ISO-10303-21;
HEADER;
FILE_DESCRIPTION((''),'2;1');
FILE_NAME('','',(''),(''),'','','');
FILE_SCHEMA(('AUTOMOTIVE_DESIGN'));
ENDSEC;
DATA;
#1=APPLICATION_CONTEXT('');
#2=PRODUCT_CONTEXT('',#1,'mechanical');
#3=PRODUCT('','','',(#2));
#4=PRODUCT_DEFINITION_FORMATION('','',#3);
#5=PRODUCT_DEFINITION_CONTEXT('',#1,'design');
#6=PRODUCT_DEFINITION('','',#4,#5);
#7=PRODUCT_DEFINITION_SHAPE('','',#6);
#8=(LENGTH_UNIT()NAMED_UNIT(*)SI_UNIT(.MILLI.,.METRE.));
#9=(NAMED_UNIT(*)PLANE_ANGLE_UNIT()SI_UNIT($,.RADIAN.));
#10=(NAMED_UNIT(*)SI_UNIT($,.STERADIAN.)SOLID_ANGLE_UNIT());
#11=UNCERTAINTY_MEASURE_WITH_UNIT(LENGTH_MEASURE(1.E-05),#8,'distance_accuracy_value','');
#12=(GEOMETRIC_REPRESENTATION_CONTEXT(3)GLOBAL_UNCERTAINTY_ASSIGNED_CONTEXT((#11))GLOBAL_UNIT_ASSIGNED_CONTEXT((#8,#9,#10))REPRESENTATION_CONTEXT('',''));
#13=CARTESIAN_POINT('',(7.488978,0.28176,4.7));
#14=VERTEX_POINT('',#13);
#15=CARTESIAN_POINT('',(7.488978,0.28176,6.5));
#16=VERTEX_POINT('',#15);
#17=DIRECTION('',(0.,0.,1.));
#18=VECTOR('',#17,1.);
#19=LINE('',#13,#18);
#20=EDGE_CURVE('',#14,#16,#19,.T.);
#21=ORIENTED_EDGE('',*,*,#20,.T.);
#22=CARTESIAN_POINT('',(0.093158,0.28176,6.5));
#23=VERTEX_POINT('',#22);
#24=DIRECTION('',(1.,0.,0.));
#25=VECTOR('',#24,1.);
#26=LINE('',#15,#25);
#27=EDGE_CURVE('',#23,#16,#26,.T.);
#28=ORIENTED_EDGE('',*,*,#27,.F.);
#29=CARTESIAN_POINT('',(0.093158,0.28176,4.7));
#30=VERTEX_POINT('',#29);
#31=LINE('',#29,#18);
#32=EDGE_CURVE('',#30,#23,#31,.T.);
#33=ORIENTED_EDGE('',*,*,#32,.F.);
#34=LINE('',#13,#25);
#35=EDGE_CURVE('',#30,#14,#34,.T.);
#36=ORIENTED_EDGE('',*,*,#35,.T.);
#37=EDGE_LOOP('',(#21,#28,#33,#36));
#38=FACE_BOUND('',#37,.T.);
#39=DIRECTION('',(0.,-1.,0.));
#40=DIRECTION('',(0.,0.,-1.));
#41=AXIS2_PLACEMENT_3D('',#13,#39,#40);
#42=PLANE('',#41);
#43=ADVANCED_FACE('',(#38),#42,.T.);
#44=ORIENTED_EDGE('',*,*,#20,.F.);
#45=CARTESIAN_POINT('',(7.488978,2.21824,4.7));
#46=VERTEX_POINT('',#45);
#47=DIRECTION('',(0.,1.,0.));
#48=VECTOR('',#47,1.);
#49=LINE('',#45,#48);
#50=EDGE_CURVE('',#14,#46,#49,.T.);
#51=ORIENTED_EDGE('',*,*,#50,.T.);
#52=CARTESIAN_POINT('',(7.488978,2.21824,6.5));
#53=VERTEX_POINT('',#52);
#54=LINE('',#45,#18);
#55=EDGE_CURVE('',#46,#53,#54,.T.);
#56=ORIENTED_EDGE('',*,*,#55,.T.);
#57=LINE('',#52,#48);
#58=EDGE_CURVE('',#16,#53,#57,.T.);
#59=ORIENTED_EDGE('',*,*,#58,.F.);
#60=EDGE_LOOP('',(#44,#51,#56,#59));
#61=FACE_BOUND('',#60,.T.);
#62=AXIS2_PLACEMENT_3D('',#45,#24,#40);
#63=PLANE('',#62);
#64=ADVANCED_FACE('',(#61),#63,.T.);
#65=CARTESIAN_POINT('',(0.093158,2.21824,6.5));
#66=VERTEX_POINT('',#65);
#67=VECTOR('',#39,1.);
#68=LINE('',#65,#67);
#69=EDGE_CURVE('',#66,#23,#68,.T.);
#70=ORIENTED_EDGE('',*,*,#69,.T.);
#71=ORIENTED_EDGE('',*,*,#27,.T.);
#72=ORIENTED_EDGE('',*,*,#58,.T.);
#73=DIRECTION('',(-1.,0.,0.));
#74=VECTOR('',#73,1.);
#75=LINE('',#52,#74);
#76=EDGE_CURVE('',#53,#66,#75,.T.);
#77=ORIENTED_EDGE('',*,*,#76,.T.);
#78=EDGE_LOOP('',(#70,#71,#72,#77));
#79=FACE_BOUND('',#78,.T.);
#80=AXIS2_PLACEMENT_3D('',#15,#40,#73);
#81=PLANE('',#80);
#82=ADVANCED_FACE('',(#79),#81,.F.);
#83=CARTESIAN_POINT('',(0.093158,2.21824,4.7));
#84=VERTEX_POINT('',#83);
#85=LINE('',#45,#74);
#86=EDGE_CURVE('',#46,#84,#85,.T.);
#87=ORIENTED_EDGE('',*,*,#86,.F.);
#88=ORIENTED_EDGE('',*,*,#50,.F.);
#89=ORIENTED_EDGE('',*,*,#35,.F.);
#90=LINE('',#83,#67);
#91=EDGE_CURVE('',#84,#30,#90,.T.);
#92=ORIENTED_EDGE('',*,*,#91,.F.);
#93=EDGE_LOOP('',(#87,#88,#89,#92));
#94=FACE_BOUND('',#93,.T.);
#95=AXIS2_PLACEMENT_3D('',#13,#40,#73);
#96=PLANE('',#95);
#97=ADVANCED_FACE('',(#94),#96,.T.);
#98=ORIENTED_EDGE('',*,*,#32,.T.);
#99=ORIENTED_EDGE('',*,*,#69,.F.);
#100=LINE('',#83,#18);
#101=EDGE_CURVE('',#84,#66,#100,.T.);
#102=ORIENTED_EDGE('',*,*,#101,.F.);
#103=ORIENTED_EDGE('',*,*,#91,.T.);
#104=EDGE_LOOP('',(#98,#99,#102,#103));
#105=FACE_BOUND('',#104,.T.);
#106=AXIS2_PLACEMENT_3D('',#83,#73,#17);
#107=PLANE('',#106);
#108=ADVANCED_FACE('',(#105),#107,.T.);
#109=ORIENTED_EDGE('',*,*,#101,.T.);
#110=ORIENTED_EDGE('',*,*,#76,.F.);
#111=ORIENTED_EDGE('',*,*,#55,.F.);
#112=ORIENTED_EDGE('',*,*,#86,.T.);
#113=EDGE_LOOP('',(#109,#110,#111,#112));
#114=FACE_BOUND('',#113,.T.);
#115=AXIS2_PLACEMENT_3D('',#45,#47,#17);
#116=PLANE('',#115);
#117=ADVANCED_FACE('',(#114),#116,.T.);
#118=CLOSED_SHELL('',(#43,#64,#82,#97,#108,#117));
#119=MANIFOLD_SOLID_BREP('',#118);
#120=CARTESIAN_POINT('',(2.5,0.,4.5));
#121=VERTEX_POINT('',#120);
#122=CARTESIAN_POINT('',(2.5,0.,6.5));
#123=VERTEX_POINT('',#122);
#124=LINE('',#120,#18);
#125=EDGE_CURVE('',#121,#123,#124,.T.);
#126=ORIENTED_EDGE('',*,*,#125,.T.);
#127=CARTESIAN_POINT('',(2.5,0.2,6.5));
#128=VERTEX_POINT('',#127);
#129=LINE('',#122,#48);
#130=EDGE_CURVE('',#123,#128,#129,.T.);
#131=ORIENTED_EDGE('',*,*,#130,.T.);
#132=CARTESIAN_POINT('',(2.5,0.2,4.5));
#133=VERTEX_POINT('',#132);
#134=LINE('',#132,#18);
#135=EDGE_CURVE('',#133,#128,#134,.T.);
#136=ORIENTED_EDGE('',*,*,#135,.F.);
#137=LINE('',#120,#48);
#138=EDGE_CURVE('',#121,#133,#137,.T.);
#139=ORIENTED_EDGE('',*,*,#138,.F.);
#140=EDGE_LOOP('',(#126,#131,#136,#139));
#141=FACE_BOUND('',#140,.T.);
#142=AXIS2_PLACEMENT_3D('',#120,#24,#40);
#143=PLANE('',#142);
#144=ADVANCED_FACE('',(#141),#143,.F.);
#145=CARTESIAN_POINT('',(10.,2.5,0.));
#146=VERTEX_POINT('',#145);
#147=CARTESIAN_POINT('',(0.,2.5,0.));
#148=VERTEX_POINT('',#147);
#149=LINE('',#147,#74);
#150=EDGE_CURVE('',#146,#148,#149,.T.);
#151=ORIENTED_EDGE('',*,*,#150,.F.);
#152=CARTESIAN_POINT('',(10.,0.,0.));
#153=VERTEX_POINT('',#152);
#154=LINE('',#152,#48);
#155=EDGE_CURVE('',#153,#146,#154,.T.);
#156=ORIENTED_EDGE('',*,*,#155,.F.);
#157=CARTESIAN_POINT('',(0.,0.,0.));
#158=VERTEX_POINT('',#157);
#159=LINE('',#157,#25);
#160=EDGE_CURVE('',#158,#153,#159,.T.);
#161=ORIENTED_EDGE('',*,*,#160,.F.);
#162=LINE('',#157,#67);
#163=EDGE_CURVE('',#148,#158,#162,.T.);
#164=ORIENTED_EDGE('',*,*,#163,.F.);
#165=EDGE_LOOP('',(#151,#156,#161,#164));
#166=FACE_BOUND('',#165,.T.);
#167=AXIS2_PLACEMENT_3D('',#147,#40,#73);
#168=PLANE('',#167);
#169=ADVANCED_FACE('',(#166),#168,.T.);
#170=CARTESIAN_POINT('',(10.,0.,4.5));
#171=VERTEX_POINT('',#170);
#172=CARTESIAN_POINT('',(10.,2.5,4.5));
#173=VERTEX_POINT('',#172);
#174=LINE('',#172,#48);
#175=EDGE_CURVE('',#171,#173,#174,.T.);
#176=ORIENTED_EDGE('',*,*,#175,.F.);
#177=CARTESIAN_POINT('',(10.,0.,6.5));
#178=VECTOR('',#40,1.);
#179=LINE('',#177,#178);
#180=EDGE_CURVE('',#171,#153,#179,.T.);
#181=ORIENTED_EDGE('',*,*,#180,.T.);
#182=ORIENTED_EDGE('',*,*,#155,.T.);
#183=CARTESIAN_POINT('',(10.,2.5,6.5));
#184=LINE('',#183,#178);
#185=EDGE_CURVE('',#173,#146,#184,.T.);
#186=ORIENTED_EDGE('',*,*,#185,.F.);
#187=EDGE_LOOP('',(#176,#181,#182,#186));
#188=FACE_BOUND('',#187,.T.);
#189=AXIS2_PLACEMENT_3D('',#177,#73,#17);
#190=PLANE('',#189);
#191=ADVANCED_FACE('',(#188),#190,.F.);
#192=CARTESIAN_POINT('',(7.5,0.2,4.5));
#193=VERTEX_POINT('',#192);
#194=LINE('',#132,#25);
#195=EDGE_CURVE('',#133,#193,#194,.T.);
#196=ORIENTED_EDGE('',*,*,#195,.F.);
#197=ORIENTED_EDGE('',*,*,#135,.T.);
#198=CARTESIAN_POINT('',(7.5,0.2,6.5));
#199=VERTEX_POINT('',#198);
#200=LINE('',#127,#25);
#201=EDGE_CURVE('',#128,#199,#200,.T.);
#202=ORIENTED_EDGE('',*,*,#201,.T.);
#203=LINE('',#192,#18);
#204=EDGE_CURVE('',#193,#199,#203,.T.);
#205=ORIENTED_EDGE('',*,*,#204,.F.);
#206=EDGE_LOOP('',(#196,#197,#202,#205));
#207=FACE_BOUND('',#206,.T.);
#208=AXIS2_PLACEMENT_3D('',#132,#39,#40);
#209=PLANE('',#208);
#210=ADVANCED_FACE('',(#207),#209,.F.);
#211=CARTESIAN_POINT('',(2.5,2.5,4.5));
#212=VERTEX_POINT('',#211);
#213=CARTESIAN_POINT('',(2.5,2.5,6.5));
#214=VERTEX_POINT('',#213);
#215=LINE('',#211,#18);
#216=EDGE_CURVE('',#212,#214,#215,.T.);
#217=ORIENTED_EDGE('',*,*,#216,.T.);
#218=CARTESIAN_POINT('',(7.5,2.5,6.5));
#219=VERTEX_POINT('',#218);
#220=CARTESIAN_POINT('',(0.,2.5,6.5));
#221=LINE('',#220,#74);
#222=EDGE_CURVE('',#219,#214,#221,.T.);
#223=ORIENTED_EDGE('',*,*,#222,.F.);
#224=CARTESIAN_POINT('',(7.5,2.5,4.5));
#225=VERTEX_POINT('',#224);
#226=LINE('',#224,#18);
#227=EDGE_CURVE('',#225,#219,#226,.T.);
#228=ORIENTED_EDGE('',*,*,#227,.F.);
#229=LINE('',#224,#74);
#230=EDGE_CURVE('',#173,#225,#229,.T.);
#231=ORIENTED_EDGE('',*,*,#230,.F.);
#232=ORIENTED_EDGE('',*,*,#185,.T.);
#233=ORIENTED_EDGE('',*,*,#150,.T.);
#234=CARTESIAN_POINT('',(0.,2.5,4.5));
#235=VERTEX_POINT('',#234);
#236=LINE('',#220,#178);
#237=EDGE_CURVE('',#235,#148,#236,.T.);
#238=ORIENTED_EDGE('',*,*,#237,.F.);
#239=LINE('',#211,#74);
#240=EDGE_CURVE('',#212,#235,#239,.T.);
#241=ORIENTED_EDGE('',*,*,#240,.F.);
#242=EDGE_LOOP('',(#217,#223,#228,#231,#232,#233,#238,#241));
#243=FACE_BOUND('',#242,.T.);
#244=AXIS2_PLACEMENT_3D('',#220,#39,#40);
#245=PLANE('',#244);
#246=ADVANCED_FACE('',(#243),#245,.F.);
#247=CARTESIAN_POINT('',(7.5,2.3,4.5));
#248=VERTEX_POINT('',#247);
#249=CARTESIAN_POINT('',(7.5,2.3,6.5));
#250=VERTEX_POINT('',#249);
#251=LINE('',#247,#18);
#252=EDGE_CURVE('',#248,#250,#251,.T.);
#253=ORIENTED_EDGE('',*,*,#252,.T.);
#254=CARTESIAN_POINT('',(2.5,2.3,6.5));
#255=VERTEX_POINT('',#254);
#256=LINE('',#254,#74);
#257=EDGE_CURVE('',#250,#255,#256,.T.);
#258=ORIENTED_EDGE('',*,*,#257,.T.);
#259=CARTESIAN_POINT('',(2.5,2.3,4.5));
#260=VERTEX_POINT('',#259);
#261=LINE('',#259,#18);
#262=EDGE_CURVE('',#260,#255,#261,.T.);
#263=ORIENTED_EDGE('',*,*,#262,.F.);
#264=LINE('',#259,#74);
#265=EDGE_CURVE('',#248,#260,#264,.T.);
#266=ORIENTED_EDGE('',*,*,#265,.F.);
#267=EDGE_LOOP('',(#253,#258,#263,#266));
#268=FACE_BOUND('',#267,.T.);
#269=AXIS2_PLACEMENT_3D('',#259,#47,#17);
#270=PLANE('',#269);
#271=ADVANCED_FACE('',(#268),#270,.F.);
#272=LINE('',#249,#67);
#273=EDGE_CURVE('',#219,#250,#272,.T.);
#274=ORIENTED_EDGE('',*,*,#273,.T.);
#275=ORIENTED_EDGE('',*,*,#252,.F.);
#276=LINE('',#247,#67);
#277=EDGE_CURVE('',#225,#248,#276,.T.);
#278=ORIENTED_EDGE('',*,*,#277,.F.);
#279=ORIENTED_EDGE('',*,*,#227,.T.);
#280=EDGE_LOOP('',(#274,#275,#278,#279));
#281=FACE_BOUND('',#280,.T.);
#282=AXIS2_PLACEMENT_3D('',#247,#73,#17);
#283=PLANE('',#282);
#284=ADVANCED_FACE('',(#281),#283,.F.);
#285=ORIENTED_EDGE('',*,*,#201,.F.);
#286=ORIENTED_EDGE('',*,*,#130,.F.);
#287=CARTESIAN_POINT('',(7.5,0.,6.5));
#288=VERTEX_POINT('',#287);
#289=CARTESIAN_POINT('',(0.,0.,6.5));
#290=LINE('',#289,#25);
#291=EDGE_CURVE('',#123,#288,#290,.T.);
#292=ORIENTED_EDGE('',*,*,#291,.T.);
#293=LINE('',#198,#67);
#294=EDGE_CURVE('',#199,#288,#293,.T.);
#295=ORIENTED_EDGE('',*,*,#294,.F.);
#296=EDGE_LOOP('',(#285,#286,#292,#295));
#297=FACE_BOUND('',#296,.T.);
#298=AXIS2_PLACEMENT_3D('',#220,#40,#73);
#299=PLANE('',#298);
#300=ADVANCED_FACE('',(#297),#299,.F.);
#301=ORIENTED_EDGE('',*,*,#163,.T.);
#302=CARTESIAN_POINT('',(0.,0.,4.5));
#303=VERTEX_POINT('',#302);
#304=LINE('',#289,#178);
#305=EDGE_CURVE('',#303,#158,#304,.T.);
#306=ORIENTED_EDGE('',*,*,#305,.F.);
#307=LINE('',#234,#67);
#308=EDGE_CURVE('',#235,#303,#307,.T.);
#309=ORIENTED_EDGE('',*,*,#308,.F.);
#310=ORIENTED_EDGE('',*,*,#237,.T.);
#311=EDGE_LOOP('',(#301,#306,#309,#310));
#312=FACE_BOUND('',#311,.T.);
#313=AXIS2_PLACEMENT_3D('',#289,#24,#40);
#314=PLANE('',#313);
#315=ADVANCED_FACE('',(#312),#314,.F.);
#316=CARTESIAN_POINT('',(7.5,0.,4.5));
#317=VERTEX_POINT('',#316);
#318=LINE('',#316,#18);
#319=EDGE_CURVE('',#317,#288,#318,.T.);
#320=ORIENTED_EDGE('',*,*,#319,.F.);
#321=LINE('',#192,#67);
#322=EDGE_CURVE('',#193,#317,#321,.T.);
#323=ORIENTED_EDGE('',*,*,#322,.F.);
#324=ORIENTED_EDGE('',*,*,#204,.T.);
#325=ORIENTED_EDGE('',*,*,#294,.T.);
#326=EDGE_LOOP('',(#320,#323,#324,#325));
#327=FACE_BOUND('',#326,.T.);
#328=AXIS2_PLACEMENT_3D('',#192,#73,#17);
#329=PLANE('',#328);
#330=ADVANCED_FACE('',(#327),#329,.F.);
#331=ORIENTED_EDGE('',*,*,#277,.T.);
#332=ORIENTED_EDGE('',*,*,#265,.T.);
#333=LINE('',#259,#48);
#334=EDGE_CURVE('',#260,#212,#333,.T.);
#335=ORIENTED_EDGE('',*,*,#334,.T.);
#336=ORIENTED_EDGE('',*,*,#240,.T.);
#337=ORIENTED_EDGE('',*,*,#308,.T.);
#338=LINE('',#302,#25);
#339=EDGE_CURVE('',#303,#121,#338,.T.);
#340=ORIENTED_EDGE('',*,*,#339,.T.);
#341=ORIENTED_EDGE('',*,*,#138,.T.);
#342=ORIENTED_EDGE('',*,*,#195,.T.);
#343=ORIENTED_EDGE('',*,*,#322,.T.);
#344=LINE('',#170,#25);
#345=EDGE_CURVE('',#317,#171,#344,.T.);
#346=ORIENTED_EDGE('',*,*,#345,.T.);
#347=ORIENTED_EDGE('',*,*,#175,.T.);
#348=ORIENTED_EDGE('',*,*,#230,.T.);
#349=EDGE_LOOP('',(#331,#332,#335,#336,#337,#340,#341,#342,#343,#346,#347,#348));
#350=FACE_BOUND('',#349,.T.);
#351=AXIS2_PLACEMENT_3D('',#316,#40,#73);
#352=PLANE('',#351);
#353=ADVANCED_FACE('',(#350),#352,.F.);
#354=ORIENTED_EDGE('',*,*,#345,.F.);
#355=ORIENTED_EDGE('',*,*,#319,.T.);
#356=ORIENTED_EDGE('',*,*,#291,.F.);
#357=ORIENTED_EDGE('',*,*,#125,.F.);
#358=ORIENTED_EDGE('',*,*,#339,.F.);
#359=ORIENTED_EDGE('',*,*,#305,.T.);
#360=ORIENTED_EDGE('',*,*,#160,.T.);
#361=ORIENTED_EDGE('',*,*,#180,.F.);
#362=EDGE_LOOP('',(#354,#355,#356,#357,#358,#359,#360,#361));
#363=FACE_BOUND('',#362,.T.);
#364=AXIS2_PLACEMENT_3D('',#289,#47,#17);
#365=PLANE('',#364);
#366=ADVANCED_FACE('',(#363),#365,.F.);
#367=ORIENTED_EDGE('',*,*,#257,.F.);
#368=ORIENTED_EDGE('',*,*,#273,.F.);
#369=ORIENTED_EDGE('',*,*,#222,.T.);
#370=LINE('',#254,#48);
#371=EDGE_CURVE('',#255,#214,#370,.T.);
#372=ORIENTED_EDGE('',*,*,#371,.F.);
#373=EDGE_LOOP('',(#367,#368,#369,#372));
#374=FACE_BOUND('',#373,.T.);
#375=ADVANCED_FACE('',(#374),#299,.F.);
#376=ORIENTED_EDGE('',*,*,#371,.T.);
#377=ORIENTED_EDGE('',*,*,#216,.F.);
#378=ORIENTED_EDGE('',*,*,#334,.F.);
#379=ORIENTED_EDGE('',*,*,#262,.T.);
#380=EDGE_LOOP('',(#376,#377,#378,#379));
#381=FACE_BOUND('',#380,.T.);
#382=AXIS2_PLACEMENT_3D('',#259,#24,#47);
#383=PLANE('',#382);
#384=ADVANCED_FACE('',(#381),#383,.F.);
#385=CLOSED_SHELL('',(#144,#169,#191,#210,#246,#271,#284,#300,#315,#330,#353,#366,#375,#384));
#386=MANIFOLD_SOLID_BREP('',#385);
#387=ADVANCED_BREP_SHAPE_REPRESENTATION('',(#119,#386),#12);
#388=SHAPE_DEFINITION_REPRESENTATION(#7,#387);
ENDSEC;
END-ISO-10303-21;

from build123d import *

# Parameters (mm, degrees)
ESQUISSE1_W      = 10
ESQUISSE1_H      = 2.5
EXTRUSION1_DEPTH = 6.5
EXTRUSION2_DEPTH = 2
ESQUISSE3_W      = 7.395820239
ESQUISSE3_H      = 1.93647956
EXTRUSION3_DEPTH = 1.8


with BuildPart() as part:
    # Esquisse1 → Extrusion1 (new body)
    with BuildSketch(Plane.XY):
        with Locations((5, 1.25)):
            Rectangle(ESQUISSE1_W, ESQUISSE1_H)
    extrude(amount=EXTRUSION1_DEPTH)

    # Esquisse2 → Extrusion2 (cut)
    with BuildSketch(Plane.XY.offset(6.5)):
        Polygon((2.5, 2.3), (7.5, 2.3), (7.5, 2.5), (10, 2.5), (10, 0), (7.5, 0), (7.5, 0.2), (2.5, 0.2), (2.5, 0), (0, 0), (0, 2.5), (2.5, 2.5), align=None)
    extrude(amount=-EXTRUSION2_DEPTH, mode=Mode.SUBTRACT)


with BuildPart() as body_2:
    # Esquisse3 → Extrusion3 (new body)
    with BuildSketch(Plane.XY.offset(6.5)):
        with Locations((3.791067846, 1.25)):
            Rectangle(ESQUISSE3_W, ESQUISSE3_H)
    extrude(amount=-EXTRUSION3_DEPTH)


solid = Compound([part.part, body_2.part])
